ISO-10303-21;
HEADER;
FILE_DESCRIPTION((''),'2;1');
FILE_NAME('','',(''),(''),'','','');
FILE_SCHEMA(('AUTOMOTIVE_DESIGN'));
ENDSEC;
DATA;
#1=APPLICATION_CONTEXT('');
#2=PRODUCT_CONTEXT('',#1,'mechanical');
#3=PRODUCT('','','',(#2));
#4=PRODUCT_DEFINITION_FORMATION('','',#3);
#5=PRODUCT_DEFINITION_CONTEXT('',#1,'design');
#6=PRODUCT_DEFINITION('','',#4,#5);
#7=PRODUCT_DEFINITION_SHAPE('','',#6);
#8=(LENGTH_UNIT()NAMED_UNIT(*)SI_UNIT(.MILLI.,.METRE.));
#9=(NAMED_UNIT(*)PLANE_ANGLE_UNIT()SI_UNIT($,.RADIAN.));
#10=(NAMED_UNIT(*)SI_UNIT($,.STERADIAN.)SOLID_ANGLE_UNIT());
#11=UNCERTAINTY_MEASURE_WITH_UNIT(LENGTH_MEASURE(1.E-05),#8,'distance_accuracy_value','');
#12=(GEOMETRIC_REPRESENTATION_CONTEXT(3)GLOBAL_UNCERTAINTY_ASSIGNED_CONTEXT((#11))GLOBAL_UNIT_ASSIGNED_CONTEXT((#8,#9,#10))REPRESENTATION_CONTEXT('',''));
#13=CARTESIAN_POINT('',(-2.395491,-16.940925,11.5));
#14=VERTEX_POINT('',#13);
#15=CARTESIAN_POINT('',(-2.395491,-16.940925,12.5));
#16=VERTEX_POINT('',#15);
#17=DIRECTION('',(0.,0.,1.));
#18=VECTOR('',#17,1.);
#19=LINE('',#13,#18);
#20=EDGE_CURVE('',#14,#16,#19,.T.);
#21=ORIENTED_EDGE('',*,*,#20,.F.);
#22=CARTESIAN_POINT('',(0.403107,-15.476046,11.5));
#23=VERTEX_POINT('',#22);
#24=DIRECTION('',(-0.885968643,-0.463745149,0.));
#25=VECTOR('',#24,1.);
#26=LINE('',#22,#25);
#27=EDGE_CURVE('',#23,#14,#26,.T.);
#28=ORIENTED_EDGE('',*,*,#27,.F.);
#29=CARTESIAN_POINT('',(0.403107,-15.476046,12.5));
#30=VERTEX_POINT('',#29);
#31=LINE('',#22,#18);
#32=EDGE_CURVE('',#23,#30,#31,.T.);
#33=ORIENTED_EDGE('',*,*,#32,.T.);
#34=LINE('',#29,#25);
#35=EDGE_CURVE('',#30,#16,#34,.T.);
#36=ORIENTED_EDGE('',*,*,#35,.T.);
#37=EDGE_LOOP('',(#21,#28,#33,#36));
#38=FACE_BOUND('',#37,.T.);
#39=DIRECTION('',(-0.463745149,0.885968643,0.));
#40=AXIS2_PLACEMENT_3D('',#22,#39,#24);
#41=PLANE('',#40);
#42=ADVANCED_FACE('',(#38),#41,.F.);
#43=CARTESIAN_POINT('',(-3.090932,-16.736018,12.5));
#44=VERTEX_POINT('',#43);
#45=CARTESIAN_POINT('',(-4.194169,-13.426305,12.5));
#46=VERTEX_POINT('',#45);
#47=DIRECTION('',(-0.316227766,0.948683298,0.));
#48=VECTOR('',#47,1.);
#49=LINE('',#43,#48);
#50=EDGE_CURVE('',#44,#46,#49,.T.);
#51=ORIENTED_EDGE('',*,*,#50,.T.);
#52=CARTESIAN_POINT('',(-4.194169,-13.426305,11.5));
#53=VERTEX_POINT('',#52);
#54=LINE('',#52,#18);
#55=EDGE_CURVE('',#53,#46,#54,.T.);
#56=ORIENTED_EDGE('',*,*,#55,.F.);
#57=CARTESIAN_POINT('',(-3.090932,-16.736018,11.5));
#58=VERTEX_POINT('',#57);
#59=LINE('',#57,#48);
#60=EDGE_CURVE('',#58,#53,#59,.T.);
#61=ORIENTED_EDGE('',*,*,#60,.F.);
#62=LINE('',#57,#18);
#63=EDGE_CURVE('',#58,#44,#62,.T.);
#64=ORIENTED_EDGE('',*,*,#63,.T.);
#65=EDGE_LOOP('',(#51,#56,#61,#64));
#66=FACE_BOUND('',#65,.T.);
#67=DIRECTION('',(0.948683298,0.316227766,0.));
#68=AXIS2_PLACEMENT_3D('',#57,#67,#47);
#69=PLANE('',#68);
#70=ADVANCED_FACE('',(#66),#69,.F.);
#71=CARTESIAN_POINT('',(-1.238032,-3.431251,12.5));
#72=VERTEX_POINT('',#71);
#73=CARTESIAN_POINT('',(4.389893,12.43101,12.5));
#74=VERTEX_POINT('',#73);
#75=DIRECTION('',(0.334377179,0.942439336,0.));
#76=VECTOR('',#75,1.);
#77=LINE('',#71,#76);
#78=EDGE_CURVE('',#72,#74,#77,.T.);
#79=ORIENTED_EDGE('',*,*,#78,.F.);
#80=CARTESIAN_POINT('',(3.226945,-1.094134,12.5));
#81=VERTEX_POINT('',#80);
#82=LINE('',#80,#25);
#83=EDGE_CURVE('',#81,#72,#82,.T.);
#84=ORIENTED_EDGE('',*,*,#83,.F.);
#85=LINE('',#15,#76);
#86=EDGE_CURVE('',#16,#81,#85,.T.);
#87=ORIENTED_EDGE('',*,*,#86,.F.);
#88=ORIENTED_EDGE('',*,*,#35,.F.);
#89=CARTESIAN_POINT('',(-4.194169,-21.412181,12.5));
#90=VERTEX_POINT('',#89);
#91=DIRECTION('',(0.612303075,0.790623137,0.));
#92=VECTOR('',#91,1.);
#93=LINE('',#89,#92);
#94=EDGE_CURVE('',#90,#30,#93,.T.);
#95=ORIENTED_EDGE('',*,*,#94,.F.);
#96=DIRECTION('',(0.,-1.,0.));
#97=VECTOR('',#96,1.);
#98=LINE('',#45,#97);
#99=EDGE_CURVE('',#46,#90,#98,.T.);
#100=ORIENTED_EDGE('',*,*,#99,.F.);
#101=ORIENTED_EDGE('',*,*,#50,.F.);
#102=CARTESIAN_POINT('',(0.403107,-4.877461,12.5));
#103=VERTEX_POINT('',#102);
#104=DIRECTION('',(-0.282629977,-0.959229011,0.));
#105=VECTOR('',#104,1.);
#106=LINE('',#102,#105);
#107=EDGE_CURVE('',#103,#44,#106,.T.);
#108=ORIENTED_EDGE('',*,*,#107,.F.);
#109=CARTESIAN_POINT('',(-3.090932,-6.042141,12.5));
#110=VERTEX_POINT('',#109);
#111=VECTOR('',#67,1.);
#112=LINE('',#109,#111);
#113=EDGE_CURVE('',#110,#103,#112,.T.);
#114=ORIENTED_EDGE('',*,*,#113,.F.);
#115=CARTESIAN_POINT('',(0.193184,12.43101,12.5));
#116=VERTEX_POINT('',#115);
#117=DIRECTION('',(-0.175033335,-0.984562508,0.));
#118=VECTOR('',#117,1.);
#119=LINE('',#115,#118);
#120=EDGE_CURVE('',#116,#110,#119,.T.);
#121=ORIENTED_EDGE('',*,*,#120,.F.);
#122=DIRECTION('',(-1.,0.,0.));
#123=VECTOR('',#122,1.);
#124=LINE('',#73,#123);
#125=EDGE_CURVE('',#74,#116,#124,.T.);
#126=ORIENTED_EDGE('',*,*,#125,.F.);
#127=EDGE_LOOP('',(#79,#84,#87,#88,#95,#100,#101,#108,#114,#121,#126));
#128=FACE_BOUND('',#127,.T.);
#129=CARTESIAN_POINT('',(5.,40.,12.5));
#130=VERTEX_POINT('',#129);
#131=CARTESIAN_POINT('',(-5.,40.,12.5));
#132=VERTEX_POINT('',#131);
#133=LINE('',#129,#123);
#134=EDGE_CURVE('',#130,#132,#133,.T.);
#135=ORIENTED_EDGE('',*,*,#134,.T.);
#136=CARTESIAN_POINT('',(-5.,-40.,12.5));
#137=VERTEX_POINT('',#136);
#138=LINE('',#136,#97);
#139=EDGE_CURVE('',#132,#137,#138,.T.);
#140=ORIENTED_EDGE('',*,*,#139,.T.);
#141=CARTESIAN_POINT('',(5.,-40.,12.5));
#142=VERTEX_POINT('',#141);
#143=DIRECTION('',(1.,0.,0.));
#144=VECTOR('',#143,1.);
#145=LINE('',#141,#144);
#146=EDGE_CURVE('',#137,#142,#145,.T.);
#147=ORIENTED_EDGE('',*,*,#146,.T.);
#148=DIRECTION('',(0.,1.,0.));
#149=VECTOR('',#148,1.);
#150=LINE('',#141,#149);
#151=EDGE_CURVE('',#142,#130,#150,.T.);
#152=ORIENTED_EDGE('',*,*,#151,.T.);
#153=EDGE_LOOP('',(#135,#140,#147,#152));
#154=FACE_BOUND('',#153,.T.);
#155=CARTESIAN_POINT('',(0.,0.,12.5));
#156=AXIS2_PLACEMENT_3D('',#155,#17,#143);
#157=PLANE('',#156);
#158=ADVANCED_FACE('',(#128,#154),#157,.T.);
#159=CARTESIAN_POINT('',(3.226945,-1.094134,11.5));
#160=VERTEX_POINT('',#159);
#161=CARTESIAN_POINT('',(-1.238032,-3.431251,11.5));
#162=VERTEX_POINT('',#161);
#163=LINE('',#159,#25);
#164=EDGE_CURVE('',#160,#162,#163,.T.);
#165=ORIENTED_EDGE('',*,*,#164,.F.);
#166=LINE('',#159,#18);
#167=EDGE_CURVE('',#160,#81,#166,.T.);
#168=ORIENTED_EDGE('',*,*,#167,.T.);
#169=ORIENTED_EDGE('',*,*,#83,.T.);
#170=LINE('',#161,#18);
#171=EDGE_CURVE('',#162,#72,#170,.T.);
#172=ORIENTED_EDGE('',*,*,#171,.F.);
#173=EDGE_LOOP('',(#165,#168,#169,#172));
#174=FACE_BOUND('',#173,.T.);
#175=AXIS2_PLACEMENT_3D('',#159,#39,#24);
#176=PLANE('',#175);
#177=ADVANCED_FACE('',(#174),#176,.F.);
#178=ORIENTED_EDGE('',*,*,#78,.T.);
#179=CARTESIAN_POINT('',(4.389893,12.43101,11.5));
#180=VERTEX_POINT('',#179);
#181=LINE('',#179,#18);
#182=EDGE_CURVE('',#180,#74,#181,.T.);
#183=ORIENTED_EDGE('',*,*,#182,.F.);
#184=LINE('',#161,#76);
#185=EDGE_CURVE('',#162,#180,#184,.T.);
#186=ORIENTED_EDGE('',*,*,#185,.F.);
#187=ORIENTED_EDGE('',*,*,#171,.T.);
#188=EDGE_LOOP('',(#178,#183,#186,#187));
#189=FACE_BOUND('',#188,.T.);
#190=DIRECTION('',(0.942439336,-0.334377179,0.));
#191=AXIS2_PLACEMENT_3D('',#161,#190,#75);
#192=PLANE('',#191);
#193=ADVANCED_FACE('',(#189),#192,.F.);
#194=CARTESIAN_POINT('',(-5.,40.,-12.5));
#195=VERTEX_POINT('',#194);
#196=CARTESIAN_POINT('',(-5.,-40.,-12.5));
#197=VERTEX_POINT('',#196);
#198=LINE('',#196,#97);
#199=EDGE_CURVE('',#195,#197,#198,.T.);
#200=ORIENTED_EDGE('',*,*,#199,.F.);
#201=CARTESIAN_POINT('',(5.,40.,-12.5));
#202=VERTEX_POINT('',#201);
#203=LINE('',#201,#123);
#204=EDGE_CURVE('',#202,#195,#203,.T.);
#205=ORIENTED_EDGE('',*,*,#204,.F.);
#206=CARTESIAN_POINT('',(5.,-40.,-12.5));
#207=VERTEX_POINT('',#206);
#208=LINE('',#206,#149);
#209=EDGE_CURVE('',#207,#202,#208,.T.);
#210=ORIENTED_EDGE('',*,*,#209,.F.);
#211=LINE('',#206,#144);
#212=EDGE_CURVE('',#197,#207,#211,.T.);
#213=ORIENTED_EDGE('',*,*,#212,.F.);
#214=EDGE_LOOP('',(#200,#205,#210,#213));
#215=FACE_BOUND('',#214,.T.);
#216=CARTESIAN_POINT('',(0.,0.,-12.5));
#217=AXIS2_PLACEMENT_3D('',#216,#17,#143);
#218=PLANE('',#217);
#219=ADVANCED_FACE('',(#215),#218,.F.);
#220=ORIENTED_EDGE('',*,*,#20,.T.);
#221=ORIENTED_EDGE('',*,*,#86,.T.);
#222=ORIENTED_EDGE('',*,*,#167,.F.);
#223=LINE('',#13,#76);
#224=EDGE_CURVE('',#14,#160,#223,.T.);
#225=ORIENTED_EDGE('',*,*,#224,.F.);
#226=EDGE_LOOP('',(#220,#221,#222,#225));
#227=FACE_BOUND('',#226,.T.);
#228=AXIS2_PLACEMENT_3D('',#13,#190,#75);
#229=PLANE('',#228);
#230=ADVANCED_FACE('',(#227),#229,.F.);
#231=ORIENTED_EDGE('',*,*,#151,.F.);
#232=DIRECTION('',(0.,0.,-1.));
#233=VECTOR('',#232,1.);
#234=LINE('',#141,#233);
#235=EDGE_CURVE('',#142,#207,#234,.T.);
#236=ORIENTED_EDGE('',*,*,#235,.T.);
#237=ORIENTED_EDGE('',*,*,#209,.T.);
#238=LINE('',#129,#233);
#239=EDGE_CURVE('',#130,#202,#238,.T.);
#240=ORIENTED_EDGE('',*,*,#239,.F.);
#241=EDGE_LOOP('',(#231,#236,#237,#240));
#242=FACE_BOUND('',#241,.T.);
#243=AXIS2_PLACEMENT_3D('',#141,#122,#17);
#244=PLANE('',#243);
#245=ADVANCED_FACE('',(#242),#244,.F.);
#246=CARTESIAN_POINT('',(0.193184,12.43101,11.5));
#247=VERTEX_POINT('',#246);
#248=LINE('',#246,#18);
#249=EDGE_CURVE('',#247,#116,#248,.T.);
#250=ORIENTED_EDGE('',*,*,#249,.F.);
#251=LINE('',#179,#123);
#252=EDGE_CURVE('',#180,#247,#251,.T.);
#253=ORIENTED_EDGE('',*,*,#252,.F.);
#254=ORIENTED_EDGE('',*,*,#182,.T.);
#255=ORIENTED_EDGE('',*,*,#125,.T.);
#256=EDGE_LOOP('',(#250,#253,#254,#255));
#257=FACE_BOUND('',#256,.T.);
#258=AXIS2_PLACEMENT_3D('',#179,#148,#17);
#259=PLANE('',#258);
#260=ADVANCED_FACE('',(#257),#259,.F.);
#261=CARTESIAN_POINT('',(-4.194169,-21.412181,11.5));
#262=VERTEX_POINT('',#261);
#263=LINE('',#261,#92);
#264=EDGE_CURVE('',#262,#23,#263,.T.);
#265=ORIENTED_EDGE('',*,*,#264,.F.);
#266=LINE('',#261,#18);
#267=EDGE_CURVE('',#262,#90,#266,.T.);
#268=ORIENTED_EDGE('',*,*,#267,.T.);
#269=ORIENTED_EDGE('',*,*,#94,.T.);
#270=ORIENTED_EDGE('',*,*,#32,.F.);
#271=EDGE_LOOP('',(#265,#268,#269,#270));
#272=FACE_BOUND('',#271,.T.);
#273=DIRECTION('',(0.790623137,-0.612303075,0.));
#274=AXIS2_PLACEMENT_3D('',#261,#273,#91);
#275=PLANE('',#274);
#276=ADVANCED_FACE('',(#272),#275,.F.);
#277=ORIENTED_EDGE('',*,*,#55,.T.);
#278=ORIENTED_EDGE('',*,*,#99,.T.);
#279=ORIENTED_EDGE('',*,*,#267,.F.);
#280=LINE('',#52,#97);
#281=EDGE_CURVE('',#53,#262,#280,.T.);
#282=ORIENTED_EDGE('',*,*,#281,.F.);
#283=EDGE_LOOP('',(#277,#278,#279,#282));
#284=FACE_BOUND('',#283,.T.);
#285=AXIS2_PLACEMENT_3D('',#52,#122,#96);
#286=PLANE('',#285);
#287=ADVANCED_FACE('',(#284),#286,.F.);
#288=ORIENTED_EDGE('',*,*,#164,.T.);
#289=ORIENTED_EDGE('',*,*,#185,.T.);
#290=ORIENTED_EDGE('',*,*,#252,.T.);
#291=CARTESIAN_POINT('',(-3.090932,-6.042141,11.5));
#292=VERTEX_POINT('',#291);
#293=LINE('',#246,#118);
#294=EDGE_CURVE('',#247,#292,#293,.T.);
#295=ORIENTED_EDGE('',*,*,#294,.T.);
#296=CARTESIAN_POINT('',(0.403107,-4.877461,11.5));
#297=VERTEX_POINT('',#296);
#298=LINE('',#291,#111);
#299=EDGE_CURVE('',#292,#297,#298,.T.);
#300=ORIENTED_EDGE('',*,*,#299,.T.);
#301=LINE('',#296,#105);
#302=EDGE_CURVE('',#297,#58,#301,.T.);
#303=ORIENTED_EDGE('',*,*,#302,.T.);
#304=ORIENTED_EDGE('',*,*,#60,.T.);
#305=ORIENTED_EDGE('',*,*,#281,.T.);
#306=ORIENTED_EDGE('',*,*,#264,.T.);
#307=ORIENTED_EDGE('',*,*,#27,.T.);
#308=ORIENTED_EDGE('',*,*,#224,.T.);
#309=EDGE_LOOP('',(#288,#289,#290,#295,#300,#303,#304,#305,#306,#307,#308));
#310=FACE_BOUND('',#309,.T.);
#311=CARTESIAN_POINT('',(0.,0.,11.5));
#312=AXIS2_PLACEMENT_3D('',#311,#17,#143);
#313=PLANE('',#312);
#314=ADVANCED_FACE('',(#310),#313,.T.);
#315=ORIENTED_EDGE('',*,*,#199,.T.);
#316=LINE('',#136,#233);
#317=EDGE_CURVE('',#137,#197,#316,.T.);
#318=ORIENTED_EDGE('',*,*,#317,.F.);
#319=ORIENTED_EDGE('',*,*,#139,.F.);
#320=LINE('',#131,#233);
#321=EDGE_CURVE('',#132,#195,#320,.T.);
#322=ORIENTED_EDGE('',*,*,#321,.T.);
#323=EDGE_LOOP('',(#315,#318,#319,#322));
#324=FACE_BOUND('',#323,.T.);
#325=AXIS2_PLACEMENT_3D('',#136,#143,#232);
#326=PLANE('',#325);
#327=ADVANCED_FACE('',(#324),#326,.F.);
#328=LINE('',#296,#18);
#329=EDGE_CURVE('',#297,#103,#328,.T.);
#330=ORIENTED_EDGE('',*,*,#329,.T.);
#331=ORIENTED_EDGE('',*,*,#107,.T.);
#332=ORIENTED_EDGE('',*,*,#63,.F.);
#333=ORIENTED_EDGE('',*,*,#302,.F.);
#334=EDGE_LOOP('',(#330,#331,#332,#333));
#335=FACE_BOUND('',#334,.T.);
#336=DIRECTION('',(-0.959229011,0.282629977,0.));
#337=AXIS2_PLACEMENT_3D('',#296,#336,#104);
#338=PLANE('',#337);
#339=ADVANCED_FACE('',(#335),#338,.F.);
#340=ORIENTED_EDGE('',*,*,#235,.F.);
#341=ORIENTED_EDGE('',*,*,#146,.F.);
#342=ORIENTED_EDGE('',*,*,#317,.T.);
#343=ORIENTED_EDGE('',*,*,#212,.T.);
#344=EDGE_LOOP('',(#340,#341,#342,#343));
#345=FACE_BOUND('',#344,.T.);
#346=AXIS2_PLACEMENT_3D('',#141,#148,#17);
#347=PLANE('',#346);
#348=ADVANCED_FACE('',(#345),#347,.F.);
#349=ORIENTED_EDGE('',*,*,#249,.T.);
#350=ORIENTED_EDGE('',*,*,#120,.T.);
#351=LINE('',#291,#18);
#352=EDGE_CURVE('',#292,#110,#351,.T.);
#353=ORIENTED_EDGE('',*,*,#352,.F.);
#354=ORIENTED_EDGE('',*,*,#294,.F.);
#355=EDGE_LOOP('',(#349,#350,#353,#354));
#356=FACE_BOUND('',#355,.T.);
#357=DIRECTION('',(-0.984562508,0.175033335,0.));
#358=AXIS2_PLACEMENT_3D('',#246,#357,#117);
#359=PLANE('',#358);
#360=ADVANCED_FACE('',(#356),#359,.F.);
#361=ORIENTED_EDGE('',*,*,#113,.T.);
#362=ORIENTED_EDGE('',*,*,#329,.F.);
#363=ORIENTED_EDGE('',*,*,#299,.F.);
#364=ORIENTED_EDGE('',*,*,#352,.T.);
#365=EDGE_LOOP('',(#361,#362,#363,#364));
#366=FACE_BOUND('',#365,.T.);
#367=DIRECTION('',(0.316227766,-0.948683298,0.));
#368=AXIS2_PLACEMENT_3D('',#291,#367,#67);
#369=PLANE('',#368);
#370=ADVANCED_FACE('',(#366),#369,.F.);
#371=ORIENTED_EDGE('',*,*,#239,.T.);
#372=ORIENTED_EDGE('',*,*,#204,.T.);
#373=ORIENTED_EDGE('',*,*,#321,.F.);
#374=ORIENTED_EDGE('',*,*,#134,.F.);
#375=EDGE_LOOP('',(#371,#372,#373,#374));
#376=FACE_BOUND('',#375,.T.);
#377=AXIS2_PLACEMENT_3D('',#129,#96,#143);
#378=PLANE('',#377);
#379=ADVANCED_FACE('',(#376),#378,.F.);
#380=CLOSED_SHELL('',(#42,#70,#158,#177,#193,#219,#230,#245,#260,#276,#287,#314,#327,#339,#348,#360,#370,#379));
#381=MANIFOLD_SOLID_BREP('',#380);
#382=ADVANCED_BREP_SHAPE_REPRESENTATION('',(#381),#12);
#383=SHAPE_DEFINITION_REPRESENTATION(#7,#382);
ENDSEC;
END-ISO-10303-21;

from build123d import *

# Parameters (mm, degrees)
SKETCH1_W           = 10
SKETCH1_H           = 80
BOSS_EXTRUDE1_DEPTH = 12.5
CUT_EXTRUDE1_DEPTH  = 1


with BuildPart() as part:
    # Sketch1 → Boss-Extrude1 (new, symmetric)
    with BuildSketch(Plane.XY):
        Rectangle(SKETCH1_W, SKETCH1_H)
    extrude(amount=BOSS_EXTRUDE1_DEPTH, both=True)

    # Sketch2 → Cut-Extrude1 (cut)
    with BuildSketch(Plane.XY.offset(12.5)):
        Polygon((0.193183959, 12.431010412), (-3.090931772, -6.042140576), (0.403107323, -4.877460877), (-3.090931772, -16.736017806), (-4.194169453, -13.426304764), (-4.194169453, -21.412180594), (0.403107323, -15.476046132), (-2.395490823, -16.940924514), (3.226945299, -1.094134401), (-1.238032252, -3.43125061), (4.389892943, 12.431010412), align=None)
    extrude(amount=-CUT_EXTRUDE1_DEPTH, mode=Mode.SUBTRACT)


solid = part.part
